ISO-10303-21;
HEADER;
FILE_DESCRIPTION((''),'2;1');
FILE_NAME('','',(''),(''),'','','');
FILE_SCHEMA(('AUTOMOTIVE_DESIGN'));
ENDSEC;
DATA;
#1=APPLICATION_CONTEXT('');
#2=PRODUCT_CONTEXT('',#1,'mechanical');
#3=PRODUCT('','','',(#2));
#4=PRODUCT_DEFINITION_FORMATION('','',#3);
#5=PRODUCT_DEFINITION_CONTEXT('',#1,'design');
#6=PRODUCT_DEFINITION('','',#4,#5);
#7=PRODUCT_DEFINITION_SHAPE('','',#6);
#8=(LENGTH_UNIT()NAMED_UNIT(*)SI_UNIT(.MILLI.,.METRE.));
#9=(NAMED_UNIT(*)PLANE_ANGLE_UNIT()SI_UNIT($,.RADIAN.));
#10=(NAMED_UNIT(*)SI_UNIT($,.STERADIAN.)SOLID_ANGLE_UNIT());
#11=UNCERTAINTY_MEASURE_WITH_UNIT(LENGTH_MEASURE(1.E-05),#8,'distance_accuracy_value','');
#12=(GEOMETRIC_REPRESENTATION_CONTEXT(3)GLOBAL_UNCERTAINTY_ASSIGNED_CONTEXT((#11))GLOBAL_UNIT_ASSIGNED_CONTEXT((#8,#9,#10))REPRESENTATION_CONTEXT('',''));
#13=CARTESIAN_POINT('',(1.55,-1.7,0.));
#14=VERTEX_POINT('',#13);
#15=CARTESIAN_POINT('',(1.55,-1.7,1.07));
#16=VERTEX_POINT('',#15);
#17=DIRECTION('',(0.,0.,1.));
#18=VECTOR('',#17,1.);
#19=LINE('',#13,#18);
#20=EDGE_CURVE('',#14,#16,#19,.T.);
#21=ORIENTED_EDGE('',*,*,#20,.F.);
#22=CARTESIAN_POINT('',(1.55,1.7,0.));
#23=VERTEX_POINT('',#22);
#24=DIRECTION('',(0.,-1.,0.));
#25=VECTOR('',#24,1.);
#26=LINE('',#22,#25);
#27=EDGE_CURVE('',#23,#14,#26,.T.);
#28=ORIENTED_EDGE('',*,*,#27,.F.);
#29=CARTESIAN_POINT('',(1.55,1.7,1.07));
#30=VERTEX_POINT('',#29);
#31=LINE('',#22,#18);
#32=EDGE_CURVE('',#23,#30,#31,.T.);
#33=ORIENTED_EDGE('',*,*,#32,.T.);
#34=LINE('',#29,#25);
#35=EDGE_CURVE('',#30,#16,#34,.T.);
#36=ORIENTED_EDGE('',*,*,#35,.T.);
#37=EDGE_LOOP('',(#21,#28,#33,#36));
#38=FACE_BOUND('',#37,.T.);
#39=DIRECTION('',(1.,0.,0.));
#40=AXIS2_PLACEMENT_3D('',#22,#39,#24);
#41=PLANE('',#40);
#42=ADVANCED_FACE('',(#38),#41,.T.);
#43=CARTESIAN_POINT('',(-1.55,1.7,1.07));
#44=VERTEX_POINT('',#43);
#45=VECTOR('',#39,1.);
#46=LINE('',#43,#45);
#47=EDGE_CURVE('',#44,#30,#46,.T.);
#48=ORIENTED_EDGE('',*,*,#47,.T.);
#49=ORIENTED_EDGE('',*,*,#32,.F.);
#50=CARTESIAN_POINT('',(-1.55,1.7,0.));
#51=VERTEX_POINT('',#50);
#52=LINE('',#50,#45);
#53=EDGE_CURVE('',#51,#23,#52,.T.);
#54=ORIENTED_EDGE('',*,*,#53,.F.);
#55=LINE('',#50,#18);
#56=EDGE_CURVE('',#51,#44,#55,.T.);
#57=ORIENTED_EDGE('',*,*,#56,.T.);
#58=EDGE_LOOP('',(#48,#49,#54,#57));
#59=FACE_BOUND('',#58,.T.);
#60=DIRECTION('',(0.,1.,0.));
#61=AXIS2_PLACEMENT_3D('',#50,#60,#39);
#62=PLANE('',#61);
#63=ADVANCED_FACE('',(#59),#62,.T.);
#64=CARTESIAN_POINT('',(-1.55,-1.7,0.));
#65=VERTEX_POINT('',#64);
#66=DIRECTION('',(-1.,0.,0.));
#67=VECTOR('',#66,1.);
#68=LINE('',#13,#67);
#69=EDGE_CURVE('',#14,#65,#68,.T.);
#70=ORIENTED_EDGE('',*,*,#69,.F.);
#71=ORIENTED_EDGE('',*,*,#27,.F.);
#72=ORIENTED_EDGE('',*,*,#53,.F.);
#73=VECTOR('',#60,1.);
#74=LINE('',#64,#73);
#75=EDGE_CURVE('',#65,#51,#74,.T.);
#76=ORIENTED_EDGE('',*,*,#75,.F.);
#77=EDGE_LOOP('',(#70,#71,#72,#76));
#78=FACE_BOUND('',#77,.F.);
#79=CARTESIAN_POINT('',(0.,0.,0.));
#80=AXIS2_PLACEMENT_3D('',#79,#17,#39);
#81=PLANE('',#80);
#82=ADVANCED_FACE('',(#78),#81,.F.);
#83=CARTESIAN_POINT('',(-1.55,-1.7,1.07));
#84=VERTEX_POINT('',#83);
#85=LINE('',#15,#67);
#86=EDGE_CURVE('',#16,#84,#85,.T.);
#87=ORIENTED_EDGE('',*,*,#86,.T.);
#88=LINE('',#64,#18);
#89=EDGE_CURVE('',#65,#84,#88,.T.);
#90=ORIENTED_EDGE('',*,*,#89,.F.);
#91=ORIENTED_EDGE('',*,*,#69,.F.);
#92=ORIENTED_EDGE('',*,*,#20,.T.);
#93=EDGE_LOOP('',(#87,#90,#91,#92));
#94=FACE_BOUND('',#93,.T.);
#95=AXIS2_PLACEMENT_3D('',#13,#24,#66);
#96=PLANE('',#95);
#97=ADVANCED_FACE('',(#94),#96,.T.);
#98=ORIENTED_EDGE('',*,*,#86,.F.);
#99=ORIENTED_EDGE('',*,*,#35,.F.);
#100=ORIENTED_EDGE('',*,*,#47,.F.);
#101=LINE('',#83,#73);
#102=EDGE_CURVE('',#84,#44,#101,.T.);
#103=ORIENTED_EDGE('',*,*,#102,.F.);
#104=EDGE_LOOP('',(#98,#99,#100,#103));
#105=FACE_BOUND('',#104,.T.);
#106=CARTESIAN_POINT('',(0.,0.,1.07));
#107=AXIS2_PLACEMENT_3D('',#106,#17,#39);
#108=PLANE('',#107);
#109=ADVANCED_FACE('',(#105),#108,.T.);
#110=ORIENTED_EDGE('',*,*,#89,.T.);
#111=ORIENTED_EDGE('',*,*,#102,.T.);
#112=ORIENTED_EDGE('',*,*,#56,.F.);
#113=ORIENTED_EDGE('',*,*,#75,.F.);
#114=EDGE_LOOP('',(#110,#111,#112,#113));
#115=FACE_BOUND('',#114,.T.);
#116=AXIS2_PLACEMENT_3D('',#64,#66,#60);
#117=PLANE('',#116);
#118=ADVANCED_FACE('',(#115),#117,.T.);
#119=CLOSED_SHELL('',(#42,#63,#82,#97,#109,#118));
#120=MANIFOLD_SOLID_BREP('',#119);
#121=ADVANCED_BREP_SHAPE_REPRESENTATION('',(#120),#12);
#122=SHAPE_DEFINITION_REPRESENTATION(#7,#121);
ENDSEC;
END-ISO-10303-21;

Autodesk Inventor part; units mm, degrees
ref_plane "YZ Plane" through (0, 0, 0) normal (1, 0, 0) x (0, 1, 0)
ref_plane "XZ Plane" through (0, 0, 0) normal (0, 1, 0) x (-1, 0, 0)
ref_plane "XY Plane" through (0, 0, 0) normal (0, 0, 1) x (1, 0, 0)
sketch "VSSOP10, LM25011MY_NOPB_51" plane through (0, 0, 0) normal (0, 0, 1) x (1, 0, 0)
  line L0 (-1.55, 1.7) -> (1.55, 1.7)
  line L1 (1.55, 1.7) -> (1.55, -1.7)
  line L2 (1.55, -1.7) -> (-1.55, -1.7)
  line L3 (-1.55, -1.7) -> (-1.55, 1.7)
extrude "Extrusion1" add sketch "VSSOP10, LM25011MY_NOPB_51" along normal blind 1.07
properties part number "LM25011MY/NOPB"
